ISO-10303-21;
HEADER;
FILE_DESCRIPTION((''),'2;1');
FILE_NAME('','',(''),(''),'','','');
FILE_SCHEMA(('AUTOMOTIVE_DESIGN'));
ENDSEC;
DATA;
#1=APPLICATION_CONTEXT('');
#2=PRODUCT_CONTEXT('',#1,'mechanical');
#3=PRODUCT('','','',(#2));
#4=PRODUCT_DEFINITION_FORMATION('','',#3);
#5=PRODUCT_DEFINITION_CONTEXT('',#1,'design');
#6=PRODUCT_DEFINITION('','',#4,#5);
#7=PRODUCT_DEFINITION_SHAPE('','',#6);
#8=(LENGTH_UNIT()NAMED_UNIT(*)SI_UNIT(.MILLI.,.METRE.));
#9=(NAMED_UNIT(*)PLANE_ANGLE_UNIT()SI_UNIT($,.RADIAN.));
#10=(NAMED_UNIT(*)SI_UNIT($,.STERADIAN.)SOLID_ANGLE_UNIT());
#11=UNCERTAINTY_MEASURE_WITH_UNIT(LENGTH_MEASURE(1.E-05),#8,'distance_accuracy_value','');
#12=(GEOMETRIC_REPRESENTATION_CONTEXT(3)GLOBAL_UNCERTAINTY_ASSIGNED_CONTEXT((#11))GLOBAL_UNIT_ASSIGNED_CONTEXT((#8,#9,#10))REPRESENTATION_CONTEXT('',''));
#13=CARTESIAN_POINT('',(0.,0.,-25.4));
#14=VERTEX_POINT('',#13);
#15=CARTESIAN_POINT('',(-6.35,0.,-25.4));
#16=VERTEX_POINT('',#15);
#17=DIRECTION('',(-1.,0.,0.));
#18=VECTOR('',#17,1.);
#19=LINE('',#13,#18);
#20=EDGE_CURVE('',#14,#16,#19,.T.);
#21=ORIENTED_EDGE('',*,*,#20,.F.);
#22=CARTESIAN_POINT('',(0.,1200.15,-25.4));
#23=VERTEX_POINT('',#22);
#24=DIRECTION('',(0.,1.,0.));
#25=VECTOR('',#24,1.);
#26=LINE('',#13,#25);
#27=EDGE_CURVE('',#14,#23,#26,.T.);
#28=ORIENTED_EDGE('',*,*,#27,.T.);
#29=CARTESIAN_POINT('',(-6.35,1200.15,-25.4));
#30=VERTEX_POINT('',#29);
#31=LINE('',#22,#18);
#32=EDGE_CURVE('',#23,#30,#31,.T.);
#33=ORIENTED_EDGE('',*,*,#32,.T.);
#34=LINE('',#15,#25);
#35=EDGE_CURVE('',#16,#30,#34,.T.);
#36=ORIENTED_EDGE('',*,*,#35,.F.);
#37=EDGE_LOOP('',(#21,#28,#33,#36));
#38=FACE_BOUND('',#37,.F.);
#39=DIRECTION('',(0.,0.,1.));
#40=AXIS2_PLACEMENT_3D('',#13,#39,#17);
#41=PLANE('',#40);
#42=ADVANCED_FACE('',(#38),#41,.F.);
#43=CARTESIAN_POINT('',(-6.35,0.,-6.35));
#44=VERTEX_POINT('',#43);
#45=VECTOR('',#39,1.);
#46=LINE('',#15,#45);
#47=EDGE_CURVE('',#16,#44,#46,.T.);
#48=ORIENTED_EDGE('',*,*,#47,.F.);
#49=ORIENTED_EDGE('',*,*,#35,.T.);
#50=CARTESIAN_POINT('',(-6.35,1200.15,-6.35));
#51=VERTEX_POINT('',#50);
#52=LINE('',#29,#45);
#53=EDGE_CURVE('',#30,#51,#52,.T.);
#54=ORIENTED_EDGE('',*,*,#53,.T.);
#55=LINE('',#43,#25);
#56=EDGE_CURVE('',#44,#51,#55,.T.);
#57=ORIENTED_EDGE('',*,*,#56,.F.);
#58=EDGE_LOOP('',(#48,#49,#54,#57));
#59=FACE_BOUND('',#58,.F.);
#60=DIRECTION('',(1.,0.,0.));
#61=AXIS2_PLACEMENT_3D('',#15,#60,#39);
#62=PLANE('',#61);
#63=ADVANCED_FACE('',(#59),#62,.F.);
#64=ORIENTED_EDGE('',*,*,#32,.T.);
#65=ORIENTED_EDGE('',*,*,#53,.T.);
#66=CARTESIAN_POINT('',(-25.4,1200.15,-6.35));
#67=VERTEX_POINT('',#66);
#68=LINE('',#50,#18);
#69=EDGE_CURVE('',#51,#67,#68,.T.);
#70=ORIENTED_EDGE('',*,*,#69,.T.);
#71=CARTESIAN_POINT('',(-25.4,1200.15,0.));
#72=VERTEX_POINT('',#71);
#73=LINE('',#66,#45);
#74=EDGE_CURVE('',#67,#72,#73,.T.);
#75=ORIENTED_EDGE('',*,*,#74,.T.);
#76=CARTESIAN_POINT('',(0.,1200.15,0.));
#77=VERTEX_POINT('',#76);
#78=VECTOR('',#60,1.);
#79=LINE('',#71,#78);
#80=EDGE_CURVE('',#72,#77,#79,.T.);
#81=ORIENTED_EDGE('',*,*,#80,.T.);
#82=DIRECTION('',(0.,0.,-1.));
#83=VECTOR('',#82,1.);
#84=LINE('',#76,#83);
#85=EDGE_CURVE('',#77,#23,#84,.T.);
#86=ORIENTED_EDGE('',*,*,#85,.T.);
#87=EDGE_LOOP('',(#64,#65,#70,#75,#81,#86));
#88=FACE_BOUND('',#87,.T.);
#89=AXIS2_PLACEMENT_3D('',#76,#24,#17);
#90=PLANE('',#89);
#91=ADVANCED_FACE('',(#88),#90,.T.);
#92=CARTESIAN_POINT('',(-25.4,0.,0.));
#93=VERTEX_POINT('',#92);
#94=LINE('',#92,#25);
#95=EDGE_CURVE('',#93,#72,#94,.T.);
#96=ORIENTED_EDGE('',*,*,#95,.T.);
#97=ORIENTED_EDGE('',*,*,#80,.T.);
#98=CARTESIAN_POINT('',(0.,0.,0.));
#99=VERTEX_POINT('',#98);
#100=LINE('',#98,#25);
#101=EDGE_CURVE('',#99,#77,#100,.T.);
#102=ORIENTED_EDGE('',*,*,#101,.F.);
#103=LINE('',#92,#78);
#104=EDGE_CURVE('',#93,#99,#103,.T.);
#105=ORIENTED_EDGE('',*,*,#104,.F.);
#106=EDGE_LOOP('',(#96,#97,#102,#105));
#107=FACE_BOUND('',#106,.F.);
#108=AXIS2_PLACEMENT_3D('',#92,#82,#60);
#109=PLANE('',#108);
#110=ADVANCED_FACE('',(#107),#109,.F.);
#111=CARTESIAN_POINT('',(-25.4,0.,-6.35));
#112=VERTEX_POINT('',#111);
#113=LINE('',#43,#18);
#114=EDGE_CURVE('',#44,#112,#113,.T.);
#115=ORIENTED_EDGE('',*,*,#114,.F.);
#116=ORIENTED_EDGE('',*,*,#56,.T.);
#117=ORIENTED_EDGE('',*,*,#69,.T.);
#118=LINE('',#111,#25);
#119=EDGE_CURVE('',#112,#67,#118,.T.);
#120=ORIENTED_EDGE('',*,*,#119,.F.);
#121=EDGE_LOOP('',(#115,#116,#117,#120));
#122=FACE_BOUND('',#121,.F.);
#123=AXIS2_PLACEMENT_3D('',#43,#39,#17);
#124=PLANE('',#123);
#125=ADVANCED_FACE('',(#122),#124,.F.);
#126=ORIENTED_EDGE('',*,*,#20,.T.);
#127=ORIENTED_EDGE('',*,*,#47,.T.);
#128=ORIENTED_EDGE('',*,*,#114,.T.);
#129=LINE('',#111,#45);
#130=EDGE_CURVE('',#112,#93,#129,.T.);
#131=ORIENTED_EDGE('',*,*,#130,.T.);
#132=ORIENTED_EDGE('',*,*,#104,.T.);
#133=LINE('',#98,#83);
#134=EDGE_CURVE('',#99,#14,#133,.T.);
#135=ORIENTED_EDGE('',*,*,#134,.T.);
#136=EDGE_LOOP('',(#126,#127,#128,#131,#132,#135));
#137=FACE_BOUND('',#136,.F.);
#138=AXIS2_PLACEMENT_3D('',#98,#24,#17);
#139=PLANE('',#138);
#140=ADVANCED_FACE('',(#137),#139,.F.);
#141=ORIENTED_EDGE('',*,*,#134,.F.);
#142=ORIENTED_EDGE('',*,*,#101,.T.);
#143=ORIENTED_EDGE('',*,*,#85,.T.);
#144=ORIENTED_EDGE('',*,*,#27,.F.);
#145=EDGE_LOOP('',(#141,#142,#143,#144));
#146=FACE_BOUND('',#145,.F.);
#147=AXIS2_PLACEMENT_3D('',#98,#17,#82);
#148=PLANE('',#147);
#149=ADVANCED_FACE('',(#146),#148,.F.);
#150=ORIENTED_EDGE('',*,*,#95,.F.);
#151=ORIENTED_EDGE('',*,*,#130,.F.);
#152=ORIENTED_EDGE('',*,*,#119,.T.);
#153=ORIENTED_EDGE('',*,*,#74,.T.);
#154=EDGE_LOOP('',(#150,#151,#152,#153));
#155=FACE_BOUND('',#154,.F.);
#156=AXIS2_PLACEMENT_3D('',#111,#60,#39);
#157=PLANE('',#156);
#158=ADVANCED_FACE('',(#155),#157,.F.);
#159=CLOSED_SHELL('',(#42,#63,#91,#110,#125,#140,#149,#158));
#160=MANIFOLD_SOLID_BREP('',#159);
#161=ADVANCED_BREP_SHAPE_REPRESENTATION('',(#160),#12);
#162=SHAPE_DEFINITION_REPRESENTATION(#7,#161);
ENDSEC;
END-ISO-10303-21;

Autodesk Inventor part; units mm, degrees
ref_plane "YZ Plane" through (0, 0, 0) normal (1, 0, 0) x (0, 1, 0)
ref_plane "XZ Plane" through (0, 0, 0) normal (0, 1, 0) x (-1, 0, 0)
ref_plane "XY Plane" through (0, 0, 0) normal (0, 0, 1) x (1, 0, 0)
sketch "Sketch1" plane through (0, 0, 0) normal (0, 1, 0) x (-1, 0, 0)
  line L0 (0, 0) -> (0, -25.4)
  line L1 (0, -25.4) -> (6.35, -25.4)
  line L2 (6.35, -25.4) -> (6.35, -6.35)
  line L3 (6.35, -6.35) -> (25.4, -6.35)
  line L4 (25.4, -6.35) -> (25.4, 0)
  line L5 (25.4, 0) -> (0, 0)
  dimension "d0" = 25.4
  dimension "d1" = 6.35
  dimension "d2" = 19.05
  dimension "d3" = 19.05
extrude "Extrusion1" add sketch "Sketch1" along normal blind 1200.15
properties part number "VertL46in"
